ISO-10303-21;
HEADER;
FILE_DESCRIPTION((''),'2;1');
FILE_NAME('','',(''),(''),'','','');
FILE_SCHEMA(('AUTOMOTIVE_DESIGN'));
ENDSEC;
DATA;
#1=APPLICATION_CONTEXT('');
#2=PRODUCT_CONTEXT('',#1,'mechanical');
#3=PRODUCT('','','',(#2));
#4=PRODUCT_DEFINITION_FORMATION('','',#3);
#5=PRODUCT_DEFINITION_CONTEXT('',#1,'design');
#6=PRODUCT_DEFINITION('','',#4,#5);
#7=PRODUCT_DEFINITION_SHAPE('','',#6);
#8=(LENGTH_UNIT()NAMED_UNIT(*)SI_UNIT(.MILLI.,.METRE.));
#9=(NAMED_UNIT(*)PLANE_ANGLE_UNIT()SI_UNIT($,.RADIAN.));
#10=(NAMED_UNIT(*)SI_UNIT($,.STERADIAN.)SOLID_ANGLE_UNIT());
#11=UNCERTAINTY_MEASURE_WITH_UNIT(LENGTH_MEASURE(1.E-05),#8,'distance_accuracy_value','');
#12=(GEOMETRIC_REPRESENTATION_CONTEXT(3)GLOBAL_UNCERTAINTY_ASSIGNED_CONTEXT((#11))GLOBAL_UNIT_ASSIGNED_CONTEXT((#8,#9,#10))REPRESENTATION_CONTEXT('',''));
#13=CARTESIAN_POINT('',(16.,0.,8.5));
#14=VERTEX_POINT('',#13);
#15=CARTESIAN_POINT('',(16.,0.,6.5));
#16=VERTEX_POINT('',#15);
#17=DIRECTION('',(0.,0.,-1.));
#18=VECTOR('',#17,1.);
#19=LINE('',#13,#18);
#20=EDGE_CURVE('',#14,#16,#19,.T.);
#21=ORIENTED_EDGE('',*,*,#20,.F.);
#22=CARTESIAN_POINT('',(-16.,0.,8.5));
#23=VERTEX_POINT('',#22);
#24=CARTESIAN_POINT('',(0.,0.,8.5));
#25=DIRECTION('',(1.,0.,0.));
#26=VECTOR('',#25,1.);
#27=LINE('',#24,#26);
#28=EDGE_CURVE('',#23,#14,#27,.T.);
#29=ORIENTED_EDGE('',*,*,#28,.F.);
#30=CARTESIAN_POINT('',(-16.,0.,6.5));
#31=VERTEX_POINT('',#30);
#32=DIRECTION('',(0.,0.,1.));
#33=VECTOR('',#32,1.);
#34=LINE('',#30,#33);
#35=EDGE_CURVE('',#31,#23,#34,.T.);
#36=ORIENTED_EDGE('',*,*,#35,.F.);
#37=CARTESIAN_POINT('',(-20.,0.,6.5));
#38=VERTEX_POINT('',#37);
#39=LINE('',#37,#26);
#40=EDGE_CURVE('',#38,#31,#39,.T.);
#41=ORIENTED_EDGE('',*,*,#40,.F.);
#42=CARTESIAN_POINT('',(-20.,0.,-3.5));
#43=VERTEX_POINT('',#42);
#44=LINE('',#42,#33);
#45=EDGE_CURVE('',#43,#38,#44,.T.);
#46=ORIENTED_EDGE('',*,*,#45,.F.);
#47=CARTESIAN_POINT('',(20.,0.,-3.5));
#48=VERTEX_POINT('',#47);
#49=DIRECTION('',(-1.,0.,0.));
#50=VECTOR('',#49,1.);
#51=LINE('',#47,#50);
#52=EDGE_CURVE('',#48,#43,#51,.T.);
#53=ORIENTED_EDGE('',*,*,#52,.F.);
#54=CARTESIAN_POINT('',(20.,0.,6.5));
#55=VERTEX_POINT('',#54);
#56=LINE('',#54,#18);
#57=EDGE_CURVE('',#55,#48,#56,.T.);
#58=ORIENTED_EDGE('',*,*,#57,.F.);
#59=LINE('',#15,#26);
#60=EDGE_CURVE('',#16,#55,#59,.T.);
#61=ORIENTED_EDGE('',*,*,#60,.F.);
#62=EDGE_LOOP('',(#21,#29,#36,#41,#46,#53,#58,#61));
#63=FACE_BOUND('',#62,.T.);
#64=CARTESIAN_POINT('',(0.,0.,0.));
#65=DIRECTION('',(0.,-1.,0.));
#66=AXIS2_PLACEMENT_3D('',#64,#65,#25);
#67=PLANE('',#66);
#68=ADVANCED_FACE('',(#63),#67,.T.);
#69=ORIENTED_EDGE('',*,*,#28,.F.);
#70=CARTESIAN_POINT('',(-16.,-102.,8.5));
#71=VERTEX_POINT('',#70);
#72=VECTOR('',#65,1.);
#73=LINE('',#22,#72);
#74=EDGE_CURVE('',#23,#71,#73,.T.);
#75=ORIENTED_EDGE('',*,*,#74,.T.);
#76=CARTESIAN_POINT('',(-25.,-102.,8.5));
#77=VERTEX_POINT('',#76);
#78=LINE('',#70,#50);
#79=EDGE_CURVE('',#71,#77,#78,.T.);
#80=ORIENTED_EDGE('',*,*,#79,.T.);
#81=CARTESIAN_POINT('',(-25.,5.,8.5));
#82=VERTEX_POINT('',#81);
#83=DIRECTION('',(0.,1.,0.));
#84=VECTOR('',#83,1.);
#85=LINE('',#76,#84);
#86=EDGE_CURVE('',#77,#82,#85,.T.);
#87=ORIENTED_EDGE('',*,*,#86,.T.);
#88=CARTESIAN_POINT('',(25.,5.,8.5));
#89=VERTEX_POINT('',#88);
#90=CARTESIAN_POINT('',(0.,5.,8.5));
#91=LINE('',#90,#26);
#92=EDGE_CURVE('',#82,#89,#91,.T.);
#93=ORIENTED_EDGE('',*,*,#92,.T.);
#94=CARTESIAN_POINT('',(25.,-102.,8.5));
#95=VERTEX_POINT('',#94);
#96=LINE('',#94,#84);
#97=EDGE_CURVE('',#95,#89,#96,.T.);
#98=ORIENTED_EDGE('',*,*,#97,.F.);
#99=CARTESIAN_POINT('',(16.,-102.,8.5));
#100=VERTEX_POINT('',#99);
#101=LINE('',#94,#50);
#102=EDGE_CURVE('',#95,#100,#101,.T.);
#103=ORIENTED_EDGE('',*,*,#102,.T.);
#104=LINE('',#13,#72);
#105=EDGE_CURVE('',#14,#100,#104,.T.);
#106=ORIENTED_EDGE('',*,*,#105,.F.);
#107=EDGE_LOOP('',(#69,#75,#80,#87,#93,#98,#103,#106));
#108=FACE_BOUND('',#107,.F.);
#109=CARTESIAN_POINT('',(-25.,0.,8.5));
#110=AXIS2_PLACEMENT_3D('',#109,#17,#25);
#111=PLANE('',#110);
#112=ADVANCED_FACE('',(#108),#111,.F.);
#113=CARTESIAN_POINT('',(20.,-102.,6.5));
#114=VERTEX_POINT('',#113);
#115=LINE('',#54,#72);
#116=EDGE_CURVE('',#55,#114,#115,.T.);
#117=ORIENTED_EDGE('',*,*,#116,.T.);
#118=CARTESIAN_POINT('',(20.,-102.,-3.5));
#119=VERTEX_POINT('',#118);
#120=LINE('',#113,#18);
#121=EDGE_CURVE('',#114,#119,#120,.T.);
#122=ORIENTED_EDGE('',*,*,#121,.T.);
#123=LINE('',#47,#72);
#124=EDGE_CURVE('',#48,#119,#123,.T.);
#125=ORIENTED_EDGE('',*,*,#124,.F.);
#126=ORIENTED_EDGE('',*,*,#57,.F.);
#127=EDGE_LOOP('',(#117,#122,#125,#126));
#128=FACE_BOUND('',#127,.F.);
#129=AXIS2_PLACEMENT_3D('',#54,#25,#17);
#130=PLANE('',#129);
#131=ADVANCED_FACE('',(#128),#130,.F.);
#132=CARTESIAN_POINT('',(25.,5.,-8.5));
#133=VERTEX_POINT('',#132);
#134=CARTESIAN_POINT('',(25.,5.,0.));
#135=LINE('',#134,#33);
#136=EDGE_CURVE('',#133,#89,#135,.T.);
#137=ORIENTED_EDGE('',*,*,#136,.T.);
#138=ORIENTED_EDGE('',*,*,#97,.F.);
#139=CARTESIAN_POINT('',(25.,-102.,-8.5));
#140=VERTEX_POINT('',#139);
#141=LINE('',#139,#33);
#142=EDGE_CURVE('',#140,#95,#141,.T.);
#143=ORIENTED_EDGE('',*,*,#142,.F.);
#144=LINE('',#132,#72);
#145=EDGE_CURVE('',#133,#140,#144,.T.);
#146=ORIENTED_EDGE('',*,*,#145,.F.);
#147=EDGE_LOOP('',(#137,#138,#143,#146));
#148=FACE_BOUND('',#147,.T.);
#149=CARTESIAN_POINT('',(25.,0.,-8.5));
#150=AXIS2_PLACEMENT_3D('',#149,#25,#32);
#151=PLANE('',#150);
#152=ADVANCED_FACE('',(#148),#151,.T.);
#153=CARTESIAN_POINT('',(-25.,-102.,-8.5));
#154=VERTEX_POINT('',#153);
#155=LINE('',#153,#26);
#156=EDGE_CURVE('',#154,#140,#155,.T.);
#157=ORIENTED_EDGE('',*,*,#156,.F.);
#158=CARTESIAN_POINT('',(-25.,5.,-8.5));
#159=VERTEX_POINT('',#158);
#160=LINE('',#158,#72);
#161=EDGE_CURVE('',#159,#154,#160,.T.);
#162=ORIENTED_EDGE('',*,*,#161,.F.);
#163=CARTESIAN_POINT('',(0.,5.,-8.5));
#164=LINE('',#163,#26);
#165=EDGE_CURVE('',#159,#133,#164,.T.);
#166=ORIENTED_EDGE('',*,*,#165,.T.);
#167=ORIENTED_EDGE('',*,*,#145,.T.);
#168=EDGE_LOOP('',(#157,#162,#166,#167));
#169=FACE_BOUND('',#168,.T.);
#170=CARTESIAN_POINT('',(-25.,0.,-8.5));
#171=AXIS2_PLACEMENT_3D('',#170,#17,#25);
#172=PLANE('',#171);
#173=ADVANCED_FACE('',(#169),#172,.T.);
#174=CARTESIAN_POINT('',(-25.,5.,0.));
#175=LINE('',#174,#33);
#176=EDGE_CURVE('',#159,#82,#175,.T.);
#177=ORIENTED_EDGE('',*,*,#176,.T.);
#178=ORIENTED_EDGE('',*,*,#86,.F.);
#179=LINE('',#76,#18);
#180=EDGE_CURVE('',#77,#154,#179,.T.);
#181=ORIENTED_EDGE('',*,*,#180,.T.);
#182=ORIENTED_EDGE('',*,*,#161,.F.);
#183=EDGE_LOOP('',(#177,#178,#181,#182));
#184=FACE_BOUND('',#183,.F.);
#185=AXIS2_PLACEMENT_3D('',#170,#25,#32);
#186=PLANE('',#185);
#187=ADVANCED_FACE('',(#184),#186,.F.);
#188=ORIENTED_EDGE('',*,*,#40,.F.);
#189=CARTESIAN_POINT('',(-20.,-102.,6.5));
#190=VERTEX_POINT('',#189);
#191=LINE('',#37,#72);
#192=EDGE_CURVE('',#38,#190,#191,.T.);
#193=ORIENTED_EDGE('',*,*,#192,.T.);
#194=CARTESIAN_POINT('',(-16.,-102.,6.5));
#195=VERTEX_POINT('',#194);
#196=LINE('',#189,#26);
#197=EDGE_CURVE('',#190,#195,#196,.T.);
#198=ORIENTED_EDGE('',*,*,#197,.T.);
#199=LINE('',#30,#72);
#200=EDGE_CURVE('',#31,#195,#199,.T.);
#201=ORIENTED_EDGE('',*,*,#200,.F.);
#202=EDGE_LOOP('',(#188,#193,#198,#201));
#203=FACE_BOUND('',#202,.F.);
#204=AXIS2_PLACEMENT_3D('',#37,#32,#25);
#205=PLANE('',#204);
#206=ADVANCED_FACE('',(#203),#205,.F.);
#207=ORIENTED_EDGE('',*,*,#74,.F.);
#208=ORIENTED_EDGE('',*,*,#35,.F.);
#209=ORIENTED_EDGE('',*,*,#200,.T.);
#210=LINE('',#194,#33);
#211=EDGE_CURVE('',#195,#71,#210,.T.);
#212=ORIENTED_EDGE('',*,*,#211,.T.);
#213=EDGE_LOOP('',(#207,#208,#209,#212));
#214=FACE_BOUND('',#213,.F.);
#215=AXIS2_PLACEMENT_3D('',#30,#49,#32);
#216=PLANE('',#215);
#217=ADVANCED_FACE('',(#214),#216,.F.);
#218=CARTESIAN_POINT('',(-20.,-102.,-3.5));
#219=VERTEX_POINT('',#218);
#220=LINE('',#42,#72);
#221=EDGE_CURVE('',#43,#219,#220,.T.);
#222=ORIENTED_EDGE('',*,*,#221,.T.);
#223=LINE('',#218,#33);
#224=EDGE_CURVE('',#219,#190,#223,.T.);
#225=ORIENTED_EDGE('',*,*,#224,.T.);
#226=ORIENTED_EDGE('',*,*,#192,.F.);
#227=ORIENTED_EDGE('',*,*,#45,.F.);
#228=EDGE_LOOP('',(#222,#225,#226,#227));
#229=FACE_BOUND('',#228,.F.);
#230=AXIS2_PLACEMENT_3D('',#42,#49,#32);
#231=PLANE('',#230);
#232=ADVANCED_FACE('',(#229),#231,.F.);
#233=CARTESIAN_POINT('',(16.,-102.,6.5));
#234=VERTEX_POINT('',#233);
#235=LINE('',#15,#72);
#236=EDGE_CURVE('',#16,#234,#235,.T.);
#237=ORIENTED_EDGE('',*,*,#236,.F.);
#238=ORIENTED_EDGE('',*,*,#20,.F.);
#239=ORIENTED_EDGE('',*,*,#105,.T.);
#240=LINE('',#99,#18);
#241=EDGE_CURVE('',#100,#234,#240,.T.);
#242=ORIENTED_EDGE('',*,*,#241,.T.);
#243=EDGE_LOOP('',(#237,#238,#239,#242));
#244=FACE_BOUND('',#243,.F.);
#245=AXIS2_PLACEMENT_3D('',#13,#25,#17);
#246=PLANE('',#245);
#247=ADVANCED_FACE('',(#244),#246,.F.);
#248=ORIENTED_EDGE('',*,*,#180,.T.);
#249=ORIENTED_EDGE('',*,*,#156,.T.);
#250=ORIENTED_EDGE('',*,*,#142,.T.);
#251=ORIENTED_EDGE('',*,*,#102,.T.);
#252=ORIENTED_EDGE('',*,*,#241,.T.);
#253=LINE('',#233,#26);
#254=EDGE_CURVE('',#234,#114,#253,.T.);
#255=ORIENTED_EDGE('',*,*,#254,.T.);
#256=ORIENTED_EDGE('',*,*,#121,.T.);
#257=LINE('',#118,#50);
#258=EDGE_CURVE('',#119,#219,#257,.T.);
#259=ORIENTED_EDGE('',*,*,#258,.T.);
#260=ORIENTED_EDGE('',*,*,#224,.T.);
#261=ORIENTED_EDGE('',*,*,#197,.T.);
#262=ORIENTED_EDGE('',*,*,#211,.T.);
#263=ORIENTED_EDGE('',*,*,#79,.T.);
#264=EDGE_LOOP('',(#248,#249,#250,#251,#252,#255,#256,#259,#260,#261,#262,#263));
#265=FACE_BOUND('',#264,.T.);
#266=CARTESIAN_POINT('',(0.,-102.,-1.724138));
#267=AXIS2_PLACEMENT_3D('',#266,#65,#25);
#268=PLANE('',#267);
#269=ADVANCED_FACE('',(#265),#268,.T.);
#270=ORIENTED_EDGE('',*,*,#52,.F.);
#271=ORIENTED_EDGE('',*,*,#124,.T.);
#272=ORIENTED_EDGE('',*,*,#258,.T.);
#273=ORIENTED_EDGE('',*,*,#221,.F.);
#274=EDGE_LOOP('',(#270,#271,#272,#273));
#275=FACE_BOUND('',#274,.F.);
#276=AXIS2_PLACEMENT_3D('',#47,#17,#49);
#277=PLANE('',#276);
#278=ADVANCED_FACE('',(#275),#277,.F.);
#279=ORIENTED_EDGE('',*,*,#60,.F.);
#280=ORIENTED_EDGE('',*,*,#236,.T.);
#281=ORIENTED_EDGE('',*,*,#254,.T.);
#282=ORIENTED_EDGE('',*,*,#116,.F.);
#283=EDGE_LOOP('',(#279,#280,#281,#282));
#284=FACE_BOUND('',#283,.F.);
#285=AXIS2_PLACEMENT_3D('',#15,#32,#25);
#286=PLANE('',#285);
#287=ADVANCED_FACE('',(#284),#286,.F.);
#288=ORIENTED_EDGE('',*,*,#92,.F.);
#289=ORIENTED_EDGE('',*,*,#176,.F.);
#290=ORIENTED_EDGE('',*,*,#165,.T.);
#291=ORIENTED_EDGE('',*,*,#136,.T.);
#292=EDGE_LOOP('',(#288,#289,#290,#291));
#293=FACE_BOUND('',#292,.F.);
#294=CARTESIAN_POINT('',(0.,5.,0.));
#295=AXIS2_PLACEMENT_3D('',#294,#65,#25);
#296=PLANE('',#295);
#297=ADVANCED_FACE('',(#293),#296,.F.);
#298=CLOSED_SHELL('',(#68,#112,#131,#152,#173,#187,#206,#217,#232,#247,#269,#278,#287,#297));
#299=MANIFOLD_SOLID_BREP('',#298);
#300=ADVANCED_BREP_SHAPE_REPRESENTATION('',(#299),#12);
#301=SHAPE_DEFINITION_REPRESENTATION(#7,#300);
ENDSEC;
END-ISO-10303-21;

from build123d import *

# Parameters (mm, degrees)
F1_DEPTH = 102
F2_W     = 50
F2_H     = 17
F3_DEPTH = 5


with BuildPart() as f1:
    # F0 (on Front) → F1 (new body)
    with BuildSketch(Plane.XZ):
        Polygon((-16, 8.5), (-25, 8.5), (-25, -8.5), (25, -8.5), (25, 8.5), (16, 8.5), (16, 6.5), (20, 6.5), (20, -3.5), (-20, -3.5), (-20, 6.5), (-16, 6.5), align=None)
    extrude(amount=F1_DEPTH)

    # F2 (on Front) → F3 (join)
    with BuildSketch(Plane.XZ):
        Rectangle(F2_W, F2_H)
    extrude(amount=-F3_DEPTH)


solid = f1.part
